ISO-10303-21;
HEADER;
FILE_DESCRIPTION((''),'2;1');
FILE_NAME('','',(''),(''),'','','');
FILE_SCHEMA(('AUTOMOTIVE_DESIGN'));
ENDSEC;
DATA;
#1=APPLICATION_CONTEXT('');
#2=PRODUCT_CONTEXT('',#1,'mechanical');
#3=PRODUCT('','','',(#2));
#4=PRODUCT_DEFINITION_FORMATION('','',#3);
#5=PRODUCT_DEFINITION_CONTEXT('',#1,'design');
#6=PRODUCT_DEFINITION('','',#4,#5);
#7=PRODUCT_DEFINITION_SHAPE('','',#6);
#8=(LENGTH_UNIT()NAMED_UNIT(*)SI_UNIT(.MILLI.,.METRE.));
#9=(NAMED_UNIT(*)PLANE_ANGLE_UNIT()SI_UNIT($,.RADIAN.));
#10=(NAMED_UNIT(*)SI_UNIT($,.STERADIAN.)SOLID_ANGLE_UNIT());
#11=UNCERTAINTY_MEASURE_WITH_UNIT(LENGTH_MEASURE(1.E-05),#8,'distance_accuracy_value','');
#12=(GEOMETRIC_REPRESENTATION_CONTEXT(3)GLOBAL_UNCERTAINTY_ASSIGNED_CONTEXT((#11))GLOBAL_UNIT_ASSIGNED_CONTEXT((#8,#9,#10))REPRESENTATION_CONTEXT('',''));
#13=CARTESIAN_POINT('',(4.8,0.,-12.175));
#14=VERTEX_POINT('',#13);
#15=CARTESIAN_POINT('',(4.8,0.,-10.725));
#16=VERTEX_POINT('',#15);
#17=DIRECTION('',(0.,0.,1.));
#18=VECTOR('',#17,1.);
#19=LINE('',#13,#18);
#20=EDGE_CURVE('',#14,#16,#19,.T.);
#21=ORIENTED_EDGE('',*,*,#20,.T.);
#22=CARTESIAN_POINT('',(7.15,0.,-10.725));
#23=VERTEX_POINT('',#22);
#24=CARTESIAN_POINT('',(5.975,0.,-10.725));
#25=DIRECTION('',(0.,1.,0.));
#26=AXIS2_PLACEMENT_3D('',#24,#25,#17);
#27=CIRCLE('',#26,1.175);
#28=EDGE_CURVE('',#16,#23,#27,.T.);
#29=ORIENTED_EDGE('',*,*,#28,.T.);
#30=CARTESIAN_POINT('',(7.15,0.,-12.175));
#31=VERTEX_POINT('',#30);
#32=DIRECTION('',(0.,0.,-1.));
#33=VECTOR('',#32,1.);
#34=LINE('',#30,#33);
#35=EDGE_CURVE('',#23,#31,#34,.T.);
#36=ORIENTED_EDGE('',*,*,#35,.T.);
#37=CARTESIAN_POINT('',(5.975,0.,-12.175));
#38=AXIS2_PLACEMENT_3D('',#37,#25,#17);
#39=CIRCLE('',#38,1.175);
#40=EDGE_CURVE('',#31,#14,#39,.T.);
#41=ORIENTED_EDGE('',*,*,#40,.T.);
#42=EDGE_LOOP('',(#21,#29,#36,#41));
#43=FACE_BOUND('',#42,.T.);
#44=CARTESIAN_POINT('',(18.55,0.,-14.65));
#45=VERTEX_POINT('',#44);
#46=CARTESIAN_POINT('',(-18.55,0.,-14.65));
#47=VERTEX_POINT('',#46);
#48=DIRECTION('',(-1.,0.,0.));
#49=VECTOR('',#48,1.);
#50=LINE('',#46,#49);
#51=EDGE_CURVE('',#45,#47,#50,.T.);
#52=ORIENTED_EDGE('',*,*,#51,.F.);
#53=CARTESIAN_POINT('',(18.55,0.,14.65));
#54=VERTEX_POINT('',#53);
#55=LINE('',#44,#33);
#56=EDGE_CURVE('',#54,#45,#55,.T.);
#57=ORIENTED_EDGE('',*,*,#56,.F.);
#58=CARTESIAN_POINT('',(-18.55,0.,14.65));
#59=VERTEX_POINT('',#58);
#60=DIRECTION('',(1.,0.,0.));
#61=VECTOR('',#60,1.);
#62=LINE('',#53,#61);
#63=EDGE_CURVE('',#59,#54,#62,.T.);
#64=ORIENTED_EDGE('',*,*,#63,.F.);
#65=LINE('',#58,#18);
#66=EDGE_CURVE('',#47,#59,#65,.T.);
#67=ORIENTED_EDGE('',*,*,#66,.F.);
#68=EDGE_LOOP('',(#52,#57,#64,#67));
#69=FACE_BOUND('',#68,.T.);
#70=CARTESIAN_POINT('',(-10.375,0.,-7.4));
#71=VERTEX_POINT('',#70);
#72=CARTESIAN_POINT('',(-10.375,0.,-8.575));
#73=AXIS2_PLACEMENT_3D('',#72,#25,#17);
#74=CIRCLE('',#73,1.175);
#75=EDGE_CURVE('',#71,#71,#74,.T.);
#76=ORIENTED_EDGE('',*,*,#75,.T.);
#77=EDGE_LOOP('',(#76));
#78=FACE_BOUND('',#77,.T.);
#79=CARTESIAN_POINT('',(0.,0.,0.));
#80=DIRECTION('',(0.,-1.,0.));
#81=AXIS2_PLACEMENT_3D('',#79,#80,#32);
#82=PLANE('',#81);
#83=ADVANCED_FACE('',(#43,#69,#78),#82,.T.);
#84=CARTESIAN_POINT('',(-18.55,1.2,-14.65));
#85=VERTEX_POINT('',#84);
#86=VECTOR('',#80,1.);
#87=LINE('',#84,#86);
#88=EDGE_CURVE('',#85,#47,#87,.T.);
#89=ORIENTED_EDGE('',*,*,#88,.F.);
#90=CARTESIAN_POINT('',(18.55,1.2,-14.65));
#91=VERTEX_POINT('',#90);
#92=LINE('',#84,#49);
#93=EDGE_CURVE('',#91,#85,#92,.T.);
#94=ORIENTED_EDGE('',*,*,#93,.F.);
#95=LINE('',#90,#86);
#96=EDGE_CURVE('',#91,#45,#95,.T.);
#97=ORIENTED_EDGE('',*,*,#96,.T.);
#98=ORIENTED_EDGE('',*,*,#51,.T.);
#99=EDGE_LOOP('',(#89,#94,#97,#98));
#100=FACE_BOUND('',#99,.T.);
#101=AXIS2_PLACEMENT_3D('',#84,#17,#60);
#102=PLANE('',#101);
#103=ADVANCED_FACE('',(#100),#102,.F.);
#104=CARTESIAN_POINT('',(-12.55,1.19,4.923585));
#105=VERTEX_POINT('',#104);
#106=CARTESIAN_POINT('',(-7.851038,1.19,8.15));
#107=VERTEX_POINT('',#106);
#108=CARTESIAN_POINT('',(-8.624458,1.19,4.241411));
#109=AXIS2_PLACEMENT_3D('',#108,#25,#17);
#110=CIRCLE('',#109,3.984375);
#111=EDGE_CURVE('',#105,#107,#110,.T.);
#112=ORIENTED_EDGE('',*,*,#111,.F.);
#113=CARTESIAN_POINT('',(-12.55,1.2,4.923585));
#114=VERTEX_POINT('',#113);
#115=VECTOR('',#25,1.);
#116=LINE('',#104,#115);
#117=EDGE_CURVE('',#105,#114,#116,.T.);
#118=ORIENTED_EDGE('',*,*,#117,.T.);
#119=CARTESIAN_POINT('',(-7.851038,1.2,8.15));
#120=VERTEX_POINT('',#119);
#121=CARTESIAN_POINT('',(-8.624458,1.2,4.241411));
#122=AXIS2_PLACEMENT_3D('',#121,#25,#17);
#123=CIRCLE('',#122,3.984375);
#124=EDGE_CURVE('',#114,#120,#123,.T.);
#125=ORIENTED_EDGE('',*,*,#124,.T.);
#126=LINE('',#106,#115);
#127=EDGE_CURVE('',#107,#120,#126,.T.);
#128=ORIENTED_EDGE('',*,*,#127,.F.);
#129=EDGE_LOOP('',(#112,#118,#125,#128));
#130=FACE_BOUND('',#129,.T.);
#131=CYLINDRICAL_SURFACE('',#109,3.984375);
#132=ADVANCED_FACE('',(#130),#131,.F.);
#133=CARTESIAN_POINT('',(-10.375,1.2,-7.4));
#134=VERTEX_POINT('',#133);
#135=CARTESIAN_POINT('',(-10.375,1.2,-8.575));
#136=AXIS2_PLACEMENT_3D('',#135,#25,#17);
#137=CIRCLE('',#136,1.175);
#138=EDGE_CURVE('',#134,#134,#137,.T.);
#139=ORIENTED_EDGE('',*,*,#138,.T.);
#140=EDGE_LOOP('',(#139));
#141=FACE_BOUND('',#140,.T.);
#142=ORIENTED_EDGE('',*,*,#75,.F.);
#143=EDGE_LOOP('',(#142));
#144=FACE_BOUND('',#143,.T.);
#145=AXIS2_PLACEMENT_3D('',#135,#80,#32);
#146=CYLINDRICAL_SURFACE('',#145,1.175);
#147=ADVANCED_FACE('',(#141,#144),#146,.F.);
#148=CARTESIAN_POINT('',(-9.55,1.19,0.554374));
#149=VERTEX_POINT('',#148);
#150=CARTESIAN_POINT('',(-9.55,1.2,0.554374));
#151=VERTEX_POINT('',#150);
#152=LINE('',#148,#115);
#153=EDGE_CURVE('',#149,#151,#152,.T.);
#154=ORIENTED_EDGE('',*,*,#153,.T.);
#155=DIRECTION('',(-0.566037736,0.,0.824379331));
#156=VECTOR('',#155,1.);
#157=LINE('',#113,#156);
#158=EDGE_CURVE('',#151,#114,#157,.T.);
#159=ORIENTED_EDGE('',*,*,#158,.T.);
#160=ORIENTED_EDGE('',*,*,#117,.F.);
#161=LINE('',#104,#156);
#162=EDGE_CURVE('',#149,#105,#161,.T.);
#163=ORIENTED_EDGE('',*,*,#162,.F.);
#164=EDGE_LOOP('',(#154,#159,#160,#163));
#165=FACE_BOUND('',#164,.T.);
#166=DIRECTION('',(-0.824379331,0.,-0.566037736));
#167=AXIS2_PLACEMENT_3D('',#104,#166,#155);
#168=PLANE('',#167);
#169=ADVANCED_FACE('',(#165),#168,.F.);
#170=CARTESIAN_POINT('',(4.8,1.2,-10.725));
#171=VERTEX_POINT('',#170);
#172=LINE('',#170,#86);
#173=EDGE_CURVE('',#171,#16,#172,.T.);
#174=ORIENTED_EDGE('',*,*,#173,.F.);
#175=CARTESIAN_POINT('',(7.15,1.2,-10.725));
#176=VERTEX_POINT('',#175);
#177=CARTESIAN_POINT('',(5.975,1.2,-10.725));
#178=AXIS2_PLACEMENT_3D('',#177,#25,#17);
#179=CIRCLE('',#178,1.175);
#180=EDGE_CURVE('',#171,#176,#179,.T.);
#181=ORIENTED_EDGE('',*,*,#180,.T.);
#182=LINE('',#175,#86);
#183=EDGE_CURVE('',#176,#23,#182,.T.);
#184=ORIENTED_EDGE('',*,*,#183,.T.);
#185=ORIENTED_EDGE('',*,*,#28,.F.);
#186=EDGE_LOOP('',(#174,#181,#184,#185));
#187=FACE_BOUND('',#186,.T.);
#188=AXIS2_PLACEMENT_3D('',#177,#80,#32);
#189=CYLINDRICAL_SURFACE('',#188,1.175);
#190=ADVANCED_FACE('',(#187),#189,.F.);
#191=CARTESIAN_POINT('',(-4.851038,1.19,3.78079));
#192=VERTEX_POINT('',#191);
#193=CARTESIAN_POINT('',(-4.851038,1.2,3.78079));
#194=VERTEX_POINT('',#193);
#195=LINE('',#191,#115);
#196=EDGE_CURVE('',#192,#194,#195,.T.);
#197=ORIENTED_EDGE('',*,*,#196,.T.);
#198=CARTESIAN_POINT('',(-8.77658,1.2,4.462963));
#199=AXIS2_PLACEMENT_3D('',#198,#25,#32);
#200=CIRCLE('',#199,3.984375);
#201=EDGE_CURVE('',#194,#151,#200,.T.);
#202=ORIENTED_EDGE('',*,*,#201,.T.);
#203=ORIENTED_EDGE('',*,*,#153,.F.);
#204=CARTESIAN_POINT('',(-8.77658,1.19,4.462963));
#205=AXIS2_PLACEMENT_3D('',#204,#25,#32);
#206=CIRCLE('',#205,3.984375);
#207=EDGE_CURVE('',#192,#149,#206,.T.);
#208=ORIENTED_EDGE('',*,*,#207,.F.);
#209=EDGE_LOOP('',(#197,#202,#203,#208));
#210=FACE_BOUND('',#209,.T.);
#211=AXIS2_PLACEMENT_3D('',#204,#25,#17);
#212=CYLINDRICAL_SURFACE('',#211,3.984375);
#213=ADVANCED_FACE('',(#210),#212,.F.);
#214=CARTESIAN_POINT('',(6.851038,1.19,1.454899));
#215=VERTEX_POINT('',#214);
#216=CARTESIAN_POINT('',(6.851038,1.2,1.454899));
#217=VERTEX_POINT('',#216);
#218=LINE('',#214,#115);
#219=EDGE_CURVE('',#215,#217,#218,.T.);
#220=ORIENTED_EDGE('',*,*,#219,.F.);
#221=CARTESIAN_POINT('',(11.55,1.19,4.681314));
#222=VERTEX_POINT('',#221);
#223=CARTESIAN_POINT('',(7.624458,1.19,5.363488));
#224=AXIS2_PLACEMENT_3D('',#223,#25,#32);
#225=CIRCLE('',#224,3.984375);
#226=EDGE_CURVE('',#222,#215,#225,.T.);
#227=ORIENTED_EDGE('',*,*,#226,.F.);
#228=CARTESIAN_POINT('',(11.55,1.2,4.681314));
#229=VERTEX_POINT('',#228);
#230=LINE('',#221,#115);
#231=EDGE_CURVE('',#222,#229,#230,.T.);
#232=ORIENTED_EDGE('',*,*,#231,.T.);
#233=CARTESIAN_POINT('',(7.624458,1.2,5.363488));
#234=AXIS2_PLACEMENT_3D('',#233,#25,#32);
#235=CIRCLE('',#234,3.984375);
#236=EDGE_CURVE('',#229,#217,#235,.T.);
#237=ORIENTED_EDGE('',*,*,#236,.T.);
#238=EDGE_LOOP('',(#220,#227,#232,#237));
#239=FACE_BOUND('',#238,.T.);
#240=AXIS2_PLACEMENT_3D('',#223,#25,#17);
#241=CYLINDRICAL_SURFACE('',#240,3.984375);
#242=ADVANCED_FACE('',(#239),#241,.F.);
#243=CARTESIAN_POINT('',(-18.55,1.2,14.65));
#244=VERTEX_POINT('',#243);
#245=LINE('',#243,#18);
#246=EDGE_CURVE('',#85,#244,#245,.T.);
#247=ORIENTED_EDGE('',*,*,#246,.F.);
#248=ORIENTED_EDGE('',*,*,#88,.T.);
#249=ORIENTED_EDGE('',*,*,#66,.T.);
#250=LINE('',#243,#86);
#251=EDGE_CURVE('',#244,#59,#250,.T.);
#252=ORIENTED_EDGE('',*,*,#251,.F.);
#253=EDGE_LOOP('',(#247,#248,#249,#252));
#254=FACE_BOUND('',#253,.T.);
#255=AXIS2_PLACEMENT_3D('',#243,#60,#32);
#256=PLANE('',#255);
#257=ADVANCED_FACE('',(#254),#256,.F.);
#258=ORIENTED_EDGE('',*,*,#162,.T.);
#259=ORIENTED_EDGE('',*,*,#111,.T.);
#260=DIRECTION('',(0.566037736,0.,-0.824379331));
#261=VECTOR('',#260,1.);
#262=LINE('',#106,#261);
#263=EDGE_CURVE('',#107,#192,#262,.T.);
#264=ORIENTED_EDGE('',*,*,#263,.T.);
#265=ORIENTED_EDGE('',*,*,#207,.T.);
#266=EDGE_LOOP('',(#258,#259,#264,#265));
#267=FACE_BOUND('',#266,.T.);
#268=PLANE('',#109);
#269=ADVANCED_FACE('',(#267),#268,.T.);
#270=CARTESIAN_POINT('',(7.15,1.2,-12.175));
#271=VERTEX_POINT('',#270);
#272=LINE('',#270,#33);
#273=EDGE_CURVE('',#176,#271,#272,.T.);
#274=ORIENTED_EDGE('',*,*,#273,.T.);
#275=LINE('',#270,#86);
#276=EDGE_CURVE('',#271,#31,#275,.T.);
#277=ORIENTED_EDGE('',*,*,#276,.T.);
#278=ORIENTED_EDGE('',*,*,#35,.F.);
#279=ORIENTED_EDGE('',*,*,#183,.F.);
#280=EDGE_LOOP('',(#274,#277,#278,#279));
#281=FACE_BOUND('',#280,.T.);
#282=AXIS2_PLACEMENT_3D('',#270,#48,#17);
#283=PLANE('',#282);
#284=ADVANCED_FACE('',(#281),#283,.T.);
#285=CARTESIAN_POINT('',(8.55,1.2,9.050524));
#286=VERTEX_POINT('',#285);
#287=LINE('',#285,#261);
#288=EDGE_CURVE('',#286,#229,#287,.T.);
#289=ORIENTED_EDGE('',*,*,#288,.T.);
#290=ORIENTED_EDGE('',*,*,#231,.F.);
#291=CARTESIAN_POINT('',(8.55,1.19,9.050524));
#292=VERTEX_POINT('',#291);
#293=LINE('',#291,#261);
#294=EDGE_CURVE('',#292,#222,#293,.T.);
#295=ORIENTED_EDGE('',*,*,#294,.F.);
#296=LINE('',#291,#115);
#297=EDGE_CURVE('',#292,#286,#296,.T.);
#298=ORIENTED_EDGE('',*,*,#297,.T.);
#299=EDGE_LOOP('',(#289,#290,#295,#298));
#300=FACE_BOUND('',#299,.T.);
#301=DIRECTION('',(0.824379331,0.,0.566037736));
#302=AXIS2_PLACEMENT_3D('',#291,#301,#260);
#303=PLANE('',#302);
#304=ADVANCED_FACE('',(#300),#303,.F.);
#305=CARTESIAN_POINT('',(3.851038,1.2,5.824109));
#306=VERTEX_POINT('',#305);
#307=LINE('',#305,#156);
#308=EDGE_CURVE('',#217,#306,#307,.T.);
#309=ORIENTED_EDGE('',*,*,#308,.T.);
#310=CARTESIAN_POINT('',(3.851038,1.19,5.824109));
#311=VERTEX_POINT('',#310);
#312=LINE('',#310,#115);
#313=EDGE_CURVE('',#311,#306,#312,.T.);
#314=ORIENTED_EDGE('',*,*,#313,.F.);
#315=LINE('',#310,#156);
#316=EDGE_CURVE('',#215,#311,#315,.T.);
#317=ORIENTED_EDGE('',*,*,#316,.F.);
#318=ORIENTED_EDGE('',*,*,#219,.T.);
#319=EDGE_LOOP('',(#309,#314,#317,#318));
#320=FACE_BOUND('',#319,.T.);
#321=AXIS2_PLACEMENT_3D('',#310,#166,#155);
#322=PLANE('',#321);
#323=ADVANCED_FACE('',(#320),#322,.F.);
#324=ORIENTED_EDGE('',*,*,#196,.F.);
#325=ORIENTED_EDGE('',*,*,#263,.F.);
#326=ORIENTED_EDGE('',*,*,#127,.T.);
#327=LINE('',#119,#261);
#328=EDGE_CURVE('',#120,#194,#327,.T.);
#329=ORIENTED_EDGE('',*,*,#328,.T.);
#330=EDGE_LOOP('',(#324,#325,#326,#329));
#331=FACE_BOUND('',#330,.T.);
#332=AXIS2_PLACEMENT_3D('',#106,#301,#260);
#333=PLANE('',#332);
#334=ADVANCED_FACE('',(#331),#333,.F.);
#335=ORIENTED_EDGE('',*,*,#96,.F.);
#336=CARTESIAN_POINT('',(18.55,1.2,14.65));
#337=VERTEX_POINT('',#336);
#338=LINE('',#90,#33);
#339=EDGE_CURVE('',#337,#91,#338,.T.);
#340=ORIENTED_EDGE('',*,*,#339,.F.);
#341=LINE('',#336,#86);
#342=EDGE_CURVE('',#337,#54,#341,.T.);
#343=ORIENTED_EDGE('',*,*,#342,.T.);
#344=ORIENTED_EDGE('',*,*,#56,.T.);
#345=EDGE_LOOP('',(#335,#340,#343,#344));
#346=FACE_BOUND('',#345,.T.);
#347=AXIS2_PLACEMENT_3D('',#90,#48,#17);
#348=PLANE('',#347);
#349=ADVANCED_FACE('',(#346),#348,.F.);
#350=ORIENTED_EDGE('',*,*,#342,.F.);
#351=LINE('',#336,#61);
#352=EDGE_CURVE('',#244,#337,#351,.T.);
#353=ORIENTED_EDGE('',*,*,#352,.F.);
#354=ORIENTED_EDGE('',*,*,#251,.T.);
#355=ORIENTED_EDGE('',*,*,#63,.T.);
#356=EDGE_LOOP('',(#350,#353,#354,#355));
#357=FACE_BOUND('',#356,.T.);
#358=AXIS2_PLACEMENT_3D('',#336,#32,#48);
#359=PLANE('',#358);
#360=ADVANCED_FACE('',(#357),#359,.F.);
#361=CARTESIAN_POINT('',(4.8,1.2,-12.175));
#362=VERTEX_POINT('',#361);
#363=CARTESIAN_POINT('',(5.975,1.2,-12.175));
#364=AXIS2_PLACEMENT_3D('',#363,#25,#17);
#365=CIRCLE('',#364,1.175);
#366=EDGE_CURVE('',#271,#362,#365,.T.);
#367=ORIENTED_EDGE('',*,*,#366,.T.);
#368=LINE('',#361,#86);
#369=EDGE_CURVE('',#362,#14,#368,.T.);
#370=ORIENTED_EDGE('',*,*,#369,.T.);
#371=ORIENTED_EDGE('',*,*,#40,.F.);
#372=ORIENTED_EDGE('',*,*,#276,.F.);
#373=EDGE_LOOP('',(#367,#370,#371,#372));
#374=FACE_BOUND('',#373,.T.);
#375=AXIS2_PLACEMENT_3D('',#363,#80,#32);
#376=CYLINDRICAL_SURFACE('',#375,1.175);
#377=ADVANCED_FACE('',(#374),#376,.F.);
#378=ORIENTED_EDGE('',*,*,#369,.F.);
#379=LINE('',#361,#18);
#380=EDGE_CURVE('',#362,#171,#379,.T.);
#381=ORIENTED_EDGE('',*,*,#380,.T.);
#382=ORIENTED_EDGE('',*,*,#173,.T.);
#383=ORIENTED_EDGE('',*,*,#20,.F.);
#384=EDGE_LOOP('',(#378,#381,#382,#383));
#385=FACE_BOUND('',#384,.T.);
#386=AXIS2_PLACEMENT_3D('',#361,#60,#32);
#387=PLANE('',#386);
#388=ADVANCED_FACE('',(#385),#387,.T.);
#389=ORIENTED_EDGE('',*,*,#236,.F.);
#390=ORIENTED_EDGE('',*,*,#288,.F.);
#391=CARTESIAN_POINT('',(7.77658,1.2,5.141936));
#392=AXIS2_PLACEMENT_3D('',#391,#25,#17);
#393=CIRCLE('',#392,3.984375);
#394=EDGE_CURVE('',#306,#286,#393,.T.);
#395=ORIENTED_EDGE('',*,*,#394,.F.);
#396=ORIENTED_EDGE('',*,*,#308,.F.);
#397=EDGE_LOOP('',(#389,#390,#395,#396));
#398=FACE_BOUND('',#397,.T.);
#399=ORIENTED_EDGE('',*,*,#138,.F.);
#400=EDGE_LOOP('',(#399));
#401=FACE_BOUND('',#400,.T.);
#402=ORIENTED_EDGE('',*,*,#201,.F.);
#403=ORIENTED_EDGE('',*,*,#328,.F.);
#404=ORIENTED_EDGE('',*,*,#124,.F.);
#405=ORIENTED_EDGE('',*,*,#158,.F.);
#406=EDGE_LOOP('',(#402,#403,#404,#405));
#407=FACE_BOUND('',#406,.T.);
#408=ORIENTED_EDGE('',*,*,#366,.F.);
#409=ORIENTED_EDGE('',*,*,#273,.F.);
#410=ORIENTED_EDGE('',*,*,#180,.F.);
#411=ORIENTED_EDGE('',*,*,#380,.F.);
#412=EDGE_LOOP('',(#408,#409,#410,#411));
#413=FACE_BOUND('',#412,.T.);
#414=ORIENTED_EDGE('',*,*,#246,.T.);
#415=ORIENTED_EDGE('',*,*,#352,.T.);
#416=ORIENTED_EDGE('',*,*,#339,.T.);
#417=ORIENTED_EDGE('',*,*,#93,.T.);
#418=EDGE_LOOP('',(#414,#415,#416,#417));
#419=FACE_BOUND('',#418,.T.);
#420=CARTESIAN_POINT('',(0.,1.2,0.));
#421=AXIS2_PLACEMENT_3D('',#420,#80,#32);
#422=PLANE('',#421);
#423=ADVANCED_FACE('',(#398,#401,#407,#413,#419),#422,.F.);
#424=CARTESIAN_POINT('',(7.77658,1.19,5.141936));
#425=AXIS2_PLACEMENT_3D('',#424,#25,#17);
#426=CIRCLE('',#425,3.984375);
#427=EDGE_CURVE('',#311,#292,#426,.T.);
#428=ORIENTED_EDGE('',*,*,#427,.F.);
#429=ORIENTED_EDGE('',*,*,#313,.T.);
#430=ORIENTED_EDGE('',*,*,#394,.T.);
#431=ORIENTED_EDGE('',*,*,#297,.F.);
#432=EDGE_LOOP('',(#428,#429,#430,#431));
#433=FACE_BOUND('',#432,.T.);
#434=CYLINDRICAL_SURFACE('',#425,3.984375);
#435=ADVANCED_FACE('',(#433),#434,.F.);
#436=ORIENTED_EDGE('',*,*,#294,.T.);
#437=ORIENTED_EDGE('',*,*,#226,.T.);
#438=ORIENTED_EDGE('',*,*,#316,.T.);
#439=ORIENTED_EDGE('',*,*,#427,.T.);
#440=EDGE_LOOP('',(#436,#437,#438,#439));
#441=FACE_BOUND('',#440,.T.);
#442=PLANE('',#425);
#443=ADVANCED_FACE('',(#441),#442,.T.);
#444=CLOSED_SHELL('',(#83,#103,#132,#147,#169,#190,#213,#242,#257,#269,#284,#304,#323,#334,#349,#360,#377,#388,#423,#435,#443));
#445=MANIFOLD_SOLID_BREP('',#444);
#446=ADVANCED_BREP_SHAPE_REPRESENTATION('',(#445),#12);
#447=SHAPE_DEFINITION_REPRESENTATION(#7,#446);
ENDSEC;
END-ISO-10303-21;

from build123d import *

# Parameters (mm, degrees)
ESQUISSE1_W             = 37.1
ESQUISSE1_H             = 29.3
ESQUISSE1_R             = 1.175
BOSS_EXTRU_1_DEPTH      = 1.2
ENL_V_MAT_EXTRU_1_DEPTH = 0.01


with BuildPart() as part:
    # Esquisse1 → Boss.-Extru.1 (new body)
    with BuildSketch(Plane(origin=(0, 0, 0), x_dir=(1, 0, 0), z_dir=(0, 1, 0))):
        Rectangle(ESQUISSE1_W, ESQUISSE1_H)
        with Locations(Location((-10.375, 8.575, 0), (0, 0, 270))):
            Circle(ESQUISSE1_R, mode=Mode.SUBTRACT)
        with BuildLine():
            Line((7.15, 12.175), (7.15, 10.725))
            ThreePointArc((7.15, 10.725), (5.975, 9.55), (4.8, 10.725))
            Line((4.8, 10.725), (4.8, 12.175))
            ThreePointArc((4.8, 12.175), (5.975, 13.35), (7.15, 12.175))
        make_face(mode=Mode.SUBTRACT)
    extrude(amount=BOSS_EXTRU_1_DEPTH)

    # Esquisse2 → Enlèv. mat.-Extru.1 (cut)
    with BuildSketch(Plane(origin=(0, 1.2, 0), x_dir=(1, 0, 0), z_dir=(0, 1, 0))):
        with BuildLine():
            Line((-12.55, -4.923584906), (-9.55, -0.554374451))
            ThreePointArc((-9.55, -0.554374451), (-6.521273623, -1.1783268), (-4.851037813, -3.780789545))
            Line((-4.851037813, -3.780789545), (-7.851037813, -8.15))
            ThreePointArc((-7.851037813, -8.15), (-10.879764189, -7.52604765), (-12.55, -4.923584906))
        make_face()
        with BuildLine():
            Line((3.851037813, -5.824109363), (6.851037813, -1.454898908))
            ThreePointArc((6.851037813, -1.454898908), (9.879764189, -2.078851257), (11.55, -4.681314002))
            Line((11.55, -4.681314002), (8.55, -9.050524457))
            ThreePointArc((8.55, -9.050524457), (5.521273623, -8.426572107), (3.851037813, -5.824109363))
        make_face()
    extrude(amount=-ENL_V_MAT_EXTRU_1_DEPTH, mode=Mode.SUBTRACT)


solid = part.part
